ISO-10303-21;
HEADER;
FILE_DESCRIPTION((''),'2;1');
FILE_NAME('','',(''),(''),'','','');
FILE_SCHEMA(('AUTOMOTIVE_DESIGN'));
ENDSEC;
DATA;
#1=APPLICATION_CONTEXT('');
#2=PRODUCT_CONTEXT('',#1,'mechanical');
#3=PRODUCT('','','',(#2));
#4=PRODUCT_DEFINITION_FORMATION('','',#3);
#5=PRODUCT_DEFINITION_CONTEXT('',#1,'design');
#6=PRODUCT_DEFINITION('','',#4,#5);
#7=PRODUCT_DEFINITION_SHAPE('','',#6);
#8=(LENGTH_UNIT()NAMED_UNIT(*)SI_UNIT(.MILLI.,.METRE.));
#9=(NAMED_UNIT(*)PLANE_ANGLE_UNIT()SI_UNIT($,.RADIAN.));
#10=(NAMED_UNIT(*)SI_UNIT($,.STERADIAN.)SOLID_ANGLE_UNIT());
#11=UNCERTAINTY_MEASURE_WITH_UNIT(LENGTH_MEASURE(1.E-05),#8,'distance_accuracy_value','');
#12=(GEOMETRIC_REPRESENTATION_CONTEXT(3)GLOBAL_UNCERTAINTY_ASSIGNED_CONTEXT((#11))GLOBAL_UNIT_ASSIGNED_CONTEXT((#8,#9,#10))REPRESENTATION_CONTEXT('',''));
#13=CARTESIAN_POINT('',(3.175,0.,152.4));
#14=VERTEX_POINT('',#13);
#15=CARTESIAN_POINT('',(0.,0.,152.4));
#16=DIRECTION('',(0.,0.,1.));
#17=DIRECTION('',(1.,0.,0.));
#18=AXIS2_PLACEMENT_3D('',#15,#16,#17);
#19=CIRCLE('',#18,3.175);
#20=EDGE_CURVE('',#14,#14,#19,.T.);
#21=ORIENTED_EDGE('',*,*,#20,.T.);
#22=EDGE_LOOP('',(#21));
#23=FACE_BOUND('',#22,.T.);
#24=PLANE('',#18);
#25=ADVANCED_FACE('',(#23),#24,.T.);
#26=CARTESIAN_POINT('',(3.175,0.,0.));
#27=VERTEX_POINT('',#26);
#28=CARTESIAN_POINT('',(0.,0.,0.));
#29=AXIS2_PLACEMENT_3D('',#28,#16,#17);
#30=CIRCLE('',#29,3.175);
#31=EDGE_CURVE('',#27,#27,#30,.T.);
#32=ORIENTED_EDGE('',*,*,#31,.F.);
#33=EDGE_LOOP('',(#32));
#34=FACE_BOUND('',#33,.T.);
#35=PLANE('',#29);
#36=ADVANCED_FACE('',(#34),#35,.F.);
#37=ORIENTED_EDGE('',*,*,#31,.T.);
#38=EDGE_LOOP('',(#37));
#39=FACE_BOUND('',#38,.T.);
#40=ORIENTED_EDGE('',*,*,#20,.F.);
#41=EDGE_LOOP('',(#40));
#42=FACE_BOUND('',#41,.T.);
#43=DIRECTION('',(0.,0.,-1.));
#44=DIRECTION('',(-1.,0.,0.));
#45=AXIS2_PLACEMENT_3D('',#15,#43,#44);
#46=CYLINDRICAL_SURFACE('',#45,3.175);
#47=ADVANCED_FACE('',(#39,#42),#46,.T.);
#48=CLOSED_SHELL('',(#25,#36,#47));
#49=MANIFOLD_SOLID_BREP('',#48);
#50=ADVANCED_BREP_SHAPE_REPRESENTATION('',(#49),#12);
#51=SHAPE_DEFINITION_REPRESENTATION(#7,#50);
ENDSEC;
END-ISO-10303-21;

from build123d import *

# Parameters (mm, degrees)
SKETCH1_R           = 3.175
BOSS_EXTRUDE1_DEPTH = 152.4


with BuildPart() as part:
    # Sketch1 → Boss-Extrude1 (new body)
    with BuildSketch(Plane.XY):
        Circle(SKETCH1_R)
    extrude(amount=BOSS_EXTRUDE1_DEPTH)


solid = part.part
